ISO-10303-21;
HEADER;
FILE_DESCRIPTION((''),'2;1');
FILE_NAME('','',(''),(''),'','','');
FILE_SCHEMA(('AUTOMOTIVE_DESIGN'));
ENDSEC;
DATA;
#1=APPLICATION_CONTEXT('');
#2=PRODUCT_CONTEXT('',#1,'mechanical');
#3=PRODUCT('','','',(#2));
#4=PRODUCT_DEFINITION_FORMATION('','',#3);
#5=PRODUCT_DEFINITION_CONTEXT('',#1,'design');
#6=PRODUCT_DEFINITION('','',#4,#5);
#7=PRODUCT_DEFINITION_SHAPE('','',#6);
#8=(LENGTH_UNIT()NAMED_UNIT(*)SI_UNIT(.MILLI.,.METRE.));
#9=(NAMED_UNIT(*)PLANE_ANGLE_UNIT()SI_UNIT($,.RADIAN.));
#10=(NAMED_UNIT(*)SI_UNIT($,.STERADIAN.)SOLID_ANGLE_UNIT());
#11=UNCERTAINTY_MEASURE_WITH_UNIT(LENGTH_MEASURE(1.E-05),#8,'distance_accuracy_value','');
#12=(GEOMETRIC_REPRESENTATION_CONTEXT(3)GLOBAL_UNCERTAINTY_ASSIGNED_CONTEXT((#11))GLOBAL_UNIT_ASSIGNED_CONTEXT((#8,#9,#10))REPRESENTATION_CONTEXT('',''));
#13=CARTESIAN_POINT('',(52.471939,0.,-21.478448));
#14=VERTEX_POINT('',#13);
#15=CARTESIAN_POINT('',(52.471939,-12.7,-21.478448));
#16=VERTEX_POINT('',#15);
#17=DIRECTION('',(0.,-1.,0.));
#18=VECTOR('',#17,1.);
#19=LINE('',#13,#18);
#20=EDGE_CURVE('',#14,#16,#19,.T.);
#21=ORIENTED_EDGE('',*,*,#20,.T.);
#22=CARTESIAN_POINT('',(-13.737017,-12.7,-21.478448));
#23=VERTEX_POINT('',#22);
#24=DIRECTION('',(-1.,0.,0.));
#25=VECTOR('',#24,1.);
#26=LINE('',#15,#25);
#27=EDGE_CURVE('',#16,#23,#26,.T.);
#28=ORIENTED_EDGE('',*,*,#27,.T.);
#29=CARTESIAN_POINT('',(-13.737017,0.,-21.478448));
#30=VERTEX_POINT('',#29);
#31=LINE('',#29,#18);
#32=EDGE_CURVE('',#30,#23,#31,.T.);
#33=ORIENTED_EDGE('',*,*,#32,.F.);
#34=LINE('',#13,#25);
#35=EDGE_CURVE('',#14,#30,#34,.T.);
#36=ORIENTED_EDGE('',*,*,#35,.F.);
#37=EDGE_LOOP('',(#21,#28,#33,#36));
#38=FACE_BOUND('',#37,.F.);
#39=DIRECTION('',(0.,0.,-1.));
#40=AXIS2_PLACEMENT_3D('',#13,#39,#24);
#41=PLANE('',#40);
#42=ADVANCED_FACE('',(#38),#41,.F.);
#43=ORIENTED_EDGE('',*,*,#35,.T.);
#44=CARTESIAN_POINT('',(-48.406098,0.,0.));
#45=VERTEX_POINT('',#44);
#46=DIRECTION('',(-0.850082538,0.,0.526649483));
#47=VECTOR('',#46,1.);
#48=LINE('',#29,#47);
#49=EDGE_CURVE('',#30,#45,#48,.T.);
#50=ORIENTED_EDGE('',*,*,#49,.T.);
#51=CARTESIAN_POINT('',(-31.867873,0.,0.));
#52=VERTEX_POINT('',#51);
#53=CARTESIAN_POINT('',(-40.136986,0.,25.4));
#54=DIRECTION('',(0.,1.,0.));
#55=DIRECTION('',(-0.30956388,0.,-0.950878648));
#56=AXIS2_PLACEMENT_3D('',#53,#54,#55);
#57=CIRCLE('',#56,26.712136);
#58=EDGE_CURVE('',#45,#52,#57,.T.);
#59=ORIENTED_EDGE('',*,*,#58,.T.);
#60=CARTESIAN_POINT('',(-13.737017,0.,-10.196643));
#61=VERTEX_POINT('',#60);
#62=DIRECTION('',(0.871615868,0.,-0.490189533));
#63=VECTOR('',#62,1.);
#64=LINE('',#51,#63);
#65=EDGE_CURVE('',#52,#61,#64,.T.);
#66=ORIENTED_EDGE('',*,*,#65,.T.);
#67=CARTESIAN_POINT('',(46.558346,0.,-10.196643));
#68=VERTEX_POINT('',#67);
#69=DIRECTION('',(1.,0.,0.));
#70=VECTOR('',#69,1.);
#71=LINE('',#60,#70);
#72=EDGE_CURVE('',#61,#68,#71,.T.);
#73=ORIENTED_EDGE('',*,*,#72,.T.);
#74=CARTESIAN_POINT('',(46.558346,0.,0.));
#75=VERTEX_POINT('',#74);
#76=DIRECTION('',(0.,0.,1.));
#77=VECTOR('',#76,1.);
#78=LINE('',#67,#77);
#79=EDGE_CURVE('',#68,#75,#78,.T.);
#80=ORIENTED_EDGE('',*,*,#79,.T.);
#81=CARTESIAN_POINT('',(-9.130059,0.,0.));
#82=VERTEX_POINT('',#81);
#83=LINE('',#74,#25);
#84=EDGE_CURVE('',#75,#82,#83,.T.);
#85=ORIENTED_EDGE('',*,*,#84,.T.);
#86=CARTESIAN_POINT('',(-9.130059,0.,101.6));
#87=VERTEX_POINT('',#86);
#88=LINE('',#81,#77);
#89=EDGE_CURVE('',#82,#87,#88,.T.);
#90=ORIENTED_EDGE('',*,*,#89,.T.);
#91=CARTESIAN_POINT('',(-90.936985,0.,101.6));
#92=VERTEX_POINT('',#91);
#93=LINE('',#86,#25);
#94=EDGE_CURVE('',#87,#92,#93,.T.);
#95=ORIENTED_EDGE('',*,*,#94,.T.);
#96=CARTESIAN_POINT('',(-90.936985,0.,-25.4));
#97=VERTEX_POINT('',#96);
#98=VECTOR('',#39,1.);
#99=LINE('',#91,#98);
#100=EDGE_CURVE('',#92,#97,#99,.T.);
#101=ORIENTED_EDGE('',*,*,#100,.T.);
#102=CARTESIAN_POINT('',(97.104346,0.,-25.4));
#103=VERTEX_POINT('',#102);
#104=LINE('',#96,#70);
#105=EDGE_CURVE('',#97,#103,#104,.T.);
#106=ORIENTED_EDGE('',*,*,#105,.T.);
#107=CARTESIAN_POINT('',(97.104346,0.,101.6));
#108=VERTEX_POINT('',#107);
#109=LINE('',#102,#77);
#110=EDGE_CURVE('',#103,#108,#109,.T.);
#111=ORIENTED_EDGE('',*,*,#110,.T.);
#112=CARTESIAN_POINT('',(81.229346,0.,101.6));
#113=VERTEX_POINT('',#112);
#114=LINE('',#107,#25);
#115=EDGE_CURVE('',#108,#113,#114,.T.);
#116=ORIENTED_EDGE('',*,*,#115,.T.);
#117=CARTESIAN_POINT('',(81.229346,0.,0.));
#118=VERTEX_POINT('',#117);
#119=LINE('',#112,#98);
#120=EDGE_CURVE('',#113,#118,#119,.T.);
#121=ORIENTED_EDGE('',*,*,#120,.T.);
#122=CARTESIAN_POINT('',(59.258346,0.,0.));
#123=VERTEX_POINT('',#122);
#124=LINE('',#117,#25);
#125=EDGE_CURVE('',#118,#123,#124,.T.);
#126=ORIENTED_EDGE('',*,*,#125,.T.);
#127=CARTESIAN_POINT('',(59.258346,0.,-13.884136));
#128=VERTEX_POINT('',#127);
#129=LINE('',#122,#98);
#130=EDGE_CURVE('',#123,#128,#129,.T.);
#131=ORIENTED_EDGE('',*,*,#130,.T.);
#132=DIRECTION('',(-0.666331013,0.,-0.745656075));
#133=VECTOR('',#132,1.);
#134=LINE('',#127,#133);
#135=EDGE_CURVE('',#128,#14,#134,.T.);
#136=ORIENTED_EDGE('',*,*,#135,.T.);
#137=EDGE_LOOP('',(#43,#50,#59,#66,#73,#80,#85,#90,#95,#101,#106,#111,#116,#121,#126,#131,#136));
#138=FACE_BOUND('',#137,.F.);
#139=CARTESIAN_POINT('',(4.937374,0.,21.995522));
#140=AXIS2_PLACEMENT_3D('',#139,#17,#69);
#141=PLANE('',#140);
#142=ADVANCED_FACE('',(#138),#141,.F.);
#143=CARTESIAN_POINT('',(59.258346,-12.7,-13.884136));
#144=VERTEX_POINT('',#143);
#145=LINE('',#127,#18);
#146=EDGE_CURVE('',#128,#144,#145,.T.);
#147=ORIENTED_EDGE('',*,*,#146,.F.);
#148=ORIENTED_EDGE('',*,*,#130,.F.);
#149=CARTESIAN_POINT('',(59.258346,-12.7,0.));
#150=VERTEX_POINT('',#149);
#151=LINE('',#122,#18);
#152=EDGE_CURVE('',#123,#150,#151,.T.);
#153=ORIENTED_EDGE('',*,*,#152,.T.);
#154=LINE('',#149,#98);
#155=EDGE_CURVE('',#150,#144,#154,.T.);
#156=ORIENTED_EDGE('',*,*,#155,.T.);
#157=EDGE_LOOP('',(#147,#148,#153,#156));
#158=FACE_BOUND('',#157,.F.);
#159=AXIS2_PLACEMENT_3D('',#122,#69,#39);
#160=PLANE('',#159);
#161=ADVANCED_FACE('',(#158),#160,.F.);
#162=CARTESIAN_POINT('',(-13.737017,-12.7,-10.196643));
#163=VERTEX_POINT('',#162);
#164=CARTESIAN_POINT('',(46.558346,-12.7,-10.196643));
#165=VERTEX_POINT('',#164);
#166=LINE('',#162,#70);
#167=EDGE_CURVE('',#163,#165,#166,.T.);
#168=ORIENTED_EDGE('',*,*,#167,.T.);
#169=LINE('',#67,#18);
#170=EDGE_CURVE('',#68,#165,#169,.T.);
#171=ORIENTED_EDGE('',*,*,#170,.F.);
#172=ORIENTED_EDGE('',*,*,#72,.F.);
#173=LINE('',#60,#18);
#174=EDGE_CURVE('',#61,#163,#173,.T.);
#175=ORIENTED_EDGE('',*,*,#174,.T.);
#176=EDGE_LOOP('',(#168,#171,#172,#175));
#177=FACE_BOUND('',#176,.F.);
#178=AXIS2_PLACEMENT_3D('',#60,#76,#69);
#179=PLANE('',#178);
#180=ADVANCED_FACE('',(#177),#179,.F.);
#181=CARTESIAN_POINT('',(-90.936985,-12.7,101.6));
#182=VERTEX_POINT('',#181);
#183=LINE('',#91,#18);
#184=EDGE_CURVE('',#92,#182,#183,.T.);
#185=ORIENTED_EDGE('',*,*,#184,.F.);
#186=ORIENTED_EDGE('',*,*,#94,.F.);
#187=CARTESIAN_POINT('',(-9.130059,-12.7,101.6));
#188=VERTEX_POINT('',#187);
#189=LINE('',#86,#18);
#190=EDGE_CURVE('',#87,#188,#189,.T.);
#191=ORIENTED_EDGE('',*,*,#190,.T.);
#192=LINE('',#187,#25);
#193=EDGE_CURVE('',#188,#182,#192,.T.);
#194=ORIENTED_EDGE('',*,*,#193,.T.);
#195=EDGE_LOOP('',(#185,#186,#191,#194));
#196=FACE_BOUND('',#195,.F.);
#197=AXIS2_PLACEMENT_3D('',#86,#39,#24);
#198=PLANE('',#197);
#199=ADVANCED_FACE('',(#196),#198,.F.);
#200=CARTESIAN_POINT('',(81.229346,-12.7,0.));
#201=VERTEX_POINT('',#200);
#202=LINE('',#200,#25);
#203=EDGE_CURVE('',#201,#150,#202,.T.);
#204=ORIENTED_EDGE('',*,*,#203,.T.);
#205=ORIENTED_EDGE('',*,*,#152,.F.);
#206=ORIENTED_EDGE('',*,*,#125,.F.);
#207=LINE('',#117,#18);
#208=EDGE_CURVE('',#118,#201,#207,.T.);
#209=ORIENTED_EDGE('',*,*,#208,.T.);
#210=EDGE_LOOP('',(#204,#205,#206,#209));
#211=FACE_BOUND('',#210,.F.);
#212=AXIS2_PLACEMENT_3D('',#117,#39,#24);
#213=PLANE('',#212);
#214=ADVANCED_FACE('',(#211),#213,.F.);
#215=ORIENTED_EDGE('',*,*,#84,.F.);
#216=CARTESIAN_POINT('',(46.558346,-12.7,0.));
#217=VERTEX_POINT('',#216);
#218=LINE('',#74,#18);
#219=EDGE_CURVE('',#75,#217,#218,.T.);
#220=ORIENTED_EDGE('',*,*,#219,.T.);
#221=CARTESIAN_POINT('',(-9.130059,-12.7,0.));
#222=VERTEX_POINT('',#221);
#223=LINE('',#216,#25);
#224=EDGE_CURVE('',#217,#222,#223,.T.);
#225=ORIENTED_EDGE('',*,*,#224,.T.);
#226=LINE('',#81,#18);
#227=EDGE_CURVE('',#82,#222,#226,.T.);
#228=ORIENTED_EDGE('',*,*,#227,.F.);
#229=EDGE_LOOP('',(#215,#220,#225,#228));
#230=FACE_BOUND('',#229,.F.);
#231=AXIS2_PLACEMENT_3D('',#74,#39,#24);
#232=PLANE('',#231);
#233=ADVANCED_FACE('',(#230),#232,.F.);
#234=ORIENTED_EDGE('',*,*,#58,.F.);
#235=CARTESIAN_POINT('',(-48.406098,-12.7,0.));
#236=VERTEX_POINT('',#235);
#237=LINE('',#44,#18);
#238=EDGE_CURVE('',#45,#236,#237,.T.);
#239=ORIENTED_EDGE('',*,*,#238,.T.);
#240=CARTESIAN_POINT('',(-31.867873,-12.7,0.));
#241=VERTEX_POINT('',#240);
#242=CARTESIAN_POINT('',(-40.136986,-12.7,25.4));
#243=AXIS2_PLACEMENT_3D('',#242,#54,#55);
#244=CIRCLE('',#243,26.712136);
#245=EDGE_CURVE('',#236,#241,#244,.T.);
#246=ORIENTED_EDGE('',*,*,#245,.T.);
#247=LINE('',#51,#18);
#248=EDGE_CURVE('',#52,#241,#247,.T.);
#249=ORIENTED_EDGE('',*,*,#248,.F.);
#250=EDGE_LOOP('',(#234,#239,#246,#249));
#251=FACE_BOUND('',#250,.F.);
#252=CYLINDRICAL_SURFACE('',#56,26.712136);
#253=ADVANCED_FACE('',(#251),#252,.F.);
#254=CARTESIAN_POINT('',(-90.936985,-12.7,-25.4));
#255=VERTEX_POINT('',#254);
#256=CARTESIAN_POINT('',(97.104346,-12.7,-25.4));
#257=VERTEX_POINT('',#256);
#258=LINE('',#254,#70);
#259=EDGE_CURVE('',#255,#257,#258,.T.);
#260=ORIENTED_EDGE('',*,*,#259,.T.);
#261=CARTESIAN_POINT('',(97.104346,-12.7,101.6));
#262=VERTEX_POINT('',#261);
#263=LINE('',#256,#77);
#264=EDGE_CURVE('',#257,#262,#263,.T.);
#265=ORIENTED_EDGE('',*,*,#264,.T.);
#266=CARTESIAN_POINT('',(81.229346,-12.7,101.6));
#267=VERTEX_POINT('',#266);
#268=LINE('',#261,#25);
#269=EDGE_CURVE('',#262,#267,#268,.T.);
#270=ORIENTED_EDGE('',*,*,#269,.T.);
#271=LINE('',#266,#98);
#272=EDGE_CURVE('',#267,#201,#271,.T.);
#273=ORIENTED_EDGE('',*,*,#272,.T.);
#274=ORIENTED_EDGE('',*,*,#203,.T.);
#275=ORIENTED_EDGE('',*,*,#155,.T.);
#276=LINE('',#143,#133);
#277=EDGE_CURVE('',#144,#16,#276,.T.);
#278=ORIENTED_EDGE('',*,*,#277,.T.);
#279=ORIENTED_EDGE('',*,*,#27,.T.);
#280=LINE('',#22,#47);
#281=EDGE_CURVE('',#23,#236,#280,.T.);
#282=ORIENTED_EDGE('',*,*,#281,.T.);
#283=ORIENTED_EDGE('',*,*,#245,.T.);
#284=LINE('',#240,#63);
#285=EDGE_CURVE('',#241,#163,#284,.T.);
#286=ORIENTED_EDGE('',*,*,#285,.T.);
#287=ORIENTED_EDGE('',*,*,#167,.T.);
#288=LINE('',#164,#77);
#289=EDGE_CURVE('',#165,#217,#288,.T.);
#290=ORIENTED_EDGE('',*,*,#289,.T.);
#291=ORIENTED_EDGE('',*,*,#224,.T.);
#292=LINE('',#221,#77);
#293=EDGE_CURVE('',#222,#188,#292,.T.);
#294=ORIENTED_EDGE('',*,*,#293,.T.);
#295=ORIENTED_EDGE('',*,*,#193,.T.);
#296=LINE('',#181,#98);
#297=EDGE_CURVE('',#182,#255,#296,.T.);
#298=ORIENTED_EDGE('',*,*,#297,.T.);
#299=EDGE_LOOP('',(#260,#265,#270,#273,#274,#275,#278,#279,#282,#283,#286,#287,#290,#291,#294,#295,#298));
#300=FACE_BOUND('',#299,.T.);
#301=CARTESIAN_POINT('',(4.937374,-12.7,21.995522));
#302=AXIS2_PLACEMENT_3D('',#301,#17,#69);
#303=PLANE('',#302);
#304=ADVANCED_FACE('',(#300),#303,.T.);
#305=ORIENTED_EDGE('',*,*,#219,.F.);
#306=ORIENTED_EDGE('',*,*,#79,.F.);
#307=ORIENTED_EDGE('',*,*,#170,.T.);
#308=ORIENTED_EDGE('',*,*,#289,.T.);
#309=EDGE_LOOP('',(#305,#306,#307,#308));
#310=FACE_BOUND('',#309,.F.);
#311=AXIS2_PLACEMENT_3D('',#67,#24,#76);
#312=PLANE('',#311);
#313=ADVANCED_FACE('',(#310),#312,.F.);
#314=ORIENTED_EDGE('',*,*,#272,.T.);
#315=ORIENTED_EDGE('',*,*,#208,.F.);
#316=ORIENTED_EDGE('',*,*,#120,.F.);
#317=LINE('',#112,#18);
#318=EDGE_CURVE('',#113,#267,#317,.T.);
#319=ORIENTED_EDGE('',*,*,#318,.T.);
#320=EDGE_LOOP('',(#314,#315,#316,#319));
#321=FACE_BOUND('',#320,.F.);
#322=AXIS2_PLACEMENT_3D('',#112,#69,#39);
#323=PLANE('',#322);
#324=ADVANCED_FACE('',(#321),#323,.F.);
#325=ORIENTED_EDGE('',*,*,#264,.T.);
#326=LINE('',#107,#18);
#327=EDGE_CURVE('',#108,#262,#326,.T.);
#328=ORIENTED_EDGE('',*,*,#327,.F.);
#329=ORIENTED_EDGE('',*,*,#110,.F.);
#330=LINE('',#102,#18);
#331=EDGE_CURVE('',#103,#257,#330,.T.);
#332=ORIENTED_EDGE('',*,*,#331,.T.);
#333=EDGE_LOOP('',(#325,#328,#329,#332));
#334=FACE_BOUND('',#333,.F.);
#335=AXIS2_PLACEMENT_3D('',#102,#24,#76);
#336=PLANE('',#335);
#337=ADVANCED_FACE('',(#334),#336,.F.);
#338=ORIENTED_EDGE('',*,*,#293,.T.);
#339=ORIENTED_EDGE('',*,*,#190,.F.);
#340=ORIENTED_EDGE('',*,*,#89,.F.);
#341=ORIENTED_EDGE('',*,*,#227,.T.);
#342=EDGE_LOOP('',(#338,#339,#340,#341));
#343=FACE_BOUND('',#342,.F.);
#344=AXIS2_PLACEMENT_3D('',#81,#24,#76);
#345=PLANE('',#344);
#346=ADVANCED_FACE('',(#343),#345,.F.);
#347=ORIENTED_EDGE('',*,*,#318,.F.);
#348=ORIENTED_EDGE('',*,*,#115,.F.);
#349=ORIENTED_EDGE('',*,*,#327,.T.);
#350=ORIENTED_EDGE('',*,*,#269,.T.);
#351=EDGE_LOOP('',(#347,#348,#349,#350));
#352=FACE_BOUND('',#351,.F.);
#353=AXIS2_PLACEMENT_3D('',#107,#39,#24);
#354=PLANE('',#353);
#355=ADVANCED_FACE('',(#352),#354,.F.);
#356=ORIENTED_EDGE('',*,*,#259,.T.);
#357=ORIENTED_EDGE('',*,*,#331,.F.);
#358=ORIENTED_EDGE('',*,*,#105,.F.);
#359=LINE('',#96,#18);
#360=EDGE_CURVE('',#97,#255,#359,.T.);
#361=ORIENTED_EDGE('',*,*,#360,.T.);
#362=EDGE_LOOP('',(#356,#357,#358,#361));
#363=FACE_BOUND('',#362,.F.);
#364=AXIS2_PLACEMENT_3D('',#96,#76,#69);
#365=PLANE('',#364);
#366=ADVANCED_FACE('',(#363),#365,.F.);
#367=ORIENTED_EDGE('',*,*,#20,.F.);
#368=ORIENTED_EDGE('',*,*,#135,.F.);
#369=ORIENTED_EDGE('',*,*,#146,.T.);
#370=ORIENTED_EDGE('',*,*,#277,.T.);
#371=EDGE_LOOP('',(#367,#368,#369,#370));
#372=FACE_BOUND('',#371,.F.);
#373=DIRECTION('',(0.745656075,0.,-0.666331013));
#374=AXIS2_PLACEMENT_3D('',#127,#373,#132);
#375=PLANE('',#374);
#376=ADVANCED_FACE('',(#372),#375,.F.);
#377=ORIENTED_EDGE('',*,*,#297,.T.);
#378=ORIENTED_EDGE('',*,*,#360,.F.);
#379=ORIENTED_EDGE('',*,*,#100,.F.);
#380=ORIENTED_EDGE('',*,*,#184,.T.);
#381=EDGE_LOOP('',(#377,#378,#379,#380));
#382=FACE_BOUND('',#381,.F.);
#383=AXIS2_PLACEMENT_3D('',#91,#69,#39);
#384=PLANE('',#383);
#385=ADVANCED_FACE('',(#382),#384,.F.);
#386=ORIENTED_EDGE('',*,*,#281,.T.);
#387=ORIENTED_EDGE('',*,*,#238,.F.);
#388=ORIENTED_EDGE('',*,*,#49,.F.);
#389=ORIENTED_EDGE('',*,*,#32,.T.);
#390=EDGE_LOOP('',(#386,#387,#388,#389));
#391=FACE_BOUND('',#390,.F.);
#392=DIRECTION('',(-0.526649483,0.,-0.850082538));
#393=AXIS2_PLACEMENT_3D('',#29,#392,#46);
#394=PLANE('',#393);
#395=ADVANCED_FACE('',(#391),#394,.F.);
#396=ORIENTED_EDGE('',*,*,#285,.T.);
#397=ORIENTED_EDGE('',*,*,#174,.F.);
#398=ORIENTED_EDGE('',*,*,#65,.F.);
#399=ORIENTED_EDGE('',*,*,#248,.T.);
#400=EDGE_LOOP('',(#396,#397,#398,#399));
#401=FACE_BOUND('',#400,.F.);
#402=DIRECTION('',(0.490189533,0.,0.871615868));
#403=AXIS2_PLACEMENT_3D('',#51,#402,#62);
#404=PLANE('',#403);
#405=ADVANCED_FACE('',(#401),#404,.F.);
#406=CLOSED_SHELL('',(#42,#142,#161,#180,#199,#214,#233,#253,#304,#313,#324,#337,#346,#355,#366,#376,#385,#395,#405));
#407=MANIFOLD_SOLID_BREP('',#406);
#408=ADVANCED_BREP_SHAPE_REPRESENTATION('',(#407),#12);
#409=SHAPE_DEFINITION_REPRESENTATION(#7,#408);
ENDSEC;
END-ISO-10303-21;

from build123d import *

# Parameters (mm, degrees)
F1_DEPTH = 12.7


with BuildPart() as f1:
    # F0 (on Front) → F1 (new body)
    with BuildSketch(Plane.XZ):
        with BuildLine():
            Line((-9.130059, 101.6), (-90.936985, 101.6))
            Line((-90.936985, 101.6), (-90.936985, -25.4))
            Line((-90.936985, -25.4), (97.104346, -25.4))
            Line((97.104346, -25.4), (97.104346, 101.6))
            Line((97.104346, 101.6), (81.229346, 101.6))
            Line((81.229346, 101.6), (81.229346, 0))
            Line((81.229346, 0), (59.258346, 0))
            Line((59.258346, 0), (59.258346, -13.884136))
            Line((59.258346, -13.884136), (52.471939, -21.478448))
            Line((52.471939, -21.478448), (-13.737017, -21.478448))
            Line((-13.737017, -21.478448), (-48.406098, 0))
            ThreePointArc((-48.406098, 0), (-40.136985, 52.112136), (-31.867873, 0))
            Line((-31.867873, 0), (-13.737017, -10.196643))
            Line((-13.737017, -10.196643), (46.558346, -10.196643))
            Line((46.558346, -10.196643), (46.558346, 0))
            Line((46.558346, 0), (-9.130059, 0))
            Line((-9.130059, 0), (-9.130059, 101.6))
        make_face()
    extrude(amount=F1_DEPTH)


solid = f1.part
